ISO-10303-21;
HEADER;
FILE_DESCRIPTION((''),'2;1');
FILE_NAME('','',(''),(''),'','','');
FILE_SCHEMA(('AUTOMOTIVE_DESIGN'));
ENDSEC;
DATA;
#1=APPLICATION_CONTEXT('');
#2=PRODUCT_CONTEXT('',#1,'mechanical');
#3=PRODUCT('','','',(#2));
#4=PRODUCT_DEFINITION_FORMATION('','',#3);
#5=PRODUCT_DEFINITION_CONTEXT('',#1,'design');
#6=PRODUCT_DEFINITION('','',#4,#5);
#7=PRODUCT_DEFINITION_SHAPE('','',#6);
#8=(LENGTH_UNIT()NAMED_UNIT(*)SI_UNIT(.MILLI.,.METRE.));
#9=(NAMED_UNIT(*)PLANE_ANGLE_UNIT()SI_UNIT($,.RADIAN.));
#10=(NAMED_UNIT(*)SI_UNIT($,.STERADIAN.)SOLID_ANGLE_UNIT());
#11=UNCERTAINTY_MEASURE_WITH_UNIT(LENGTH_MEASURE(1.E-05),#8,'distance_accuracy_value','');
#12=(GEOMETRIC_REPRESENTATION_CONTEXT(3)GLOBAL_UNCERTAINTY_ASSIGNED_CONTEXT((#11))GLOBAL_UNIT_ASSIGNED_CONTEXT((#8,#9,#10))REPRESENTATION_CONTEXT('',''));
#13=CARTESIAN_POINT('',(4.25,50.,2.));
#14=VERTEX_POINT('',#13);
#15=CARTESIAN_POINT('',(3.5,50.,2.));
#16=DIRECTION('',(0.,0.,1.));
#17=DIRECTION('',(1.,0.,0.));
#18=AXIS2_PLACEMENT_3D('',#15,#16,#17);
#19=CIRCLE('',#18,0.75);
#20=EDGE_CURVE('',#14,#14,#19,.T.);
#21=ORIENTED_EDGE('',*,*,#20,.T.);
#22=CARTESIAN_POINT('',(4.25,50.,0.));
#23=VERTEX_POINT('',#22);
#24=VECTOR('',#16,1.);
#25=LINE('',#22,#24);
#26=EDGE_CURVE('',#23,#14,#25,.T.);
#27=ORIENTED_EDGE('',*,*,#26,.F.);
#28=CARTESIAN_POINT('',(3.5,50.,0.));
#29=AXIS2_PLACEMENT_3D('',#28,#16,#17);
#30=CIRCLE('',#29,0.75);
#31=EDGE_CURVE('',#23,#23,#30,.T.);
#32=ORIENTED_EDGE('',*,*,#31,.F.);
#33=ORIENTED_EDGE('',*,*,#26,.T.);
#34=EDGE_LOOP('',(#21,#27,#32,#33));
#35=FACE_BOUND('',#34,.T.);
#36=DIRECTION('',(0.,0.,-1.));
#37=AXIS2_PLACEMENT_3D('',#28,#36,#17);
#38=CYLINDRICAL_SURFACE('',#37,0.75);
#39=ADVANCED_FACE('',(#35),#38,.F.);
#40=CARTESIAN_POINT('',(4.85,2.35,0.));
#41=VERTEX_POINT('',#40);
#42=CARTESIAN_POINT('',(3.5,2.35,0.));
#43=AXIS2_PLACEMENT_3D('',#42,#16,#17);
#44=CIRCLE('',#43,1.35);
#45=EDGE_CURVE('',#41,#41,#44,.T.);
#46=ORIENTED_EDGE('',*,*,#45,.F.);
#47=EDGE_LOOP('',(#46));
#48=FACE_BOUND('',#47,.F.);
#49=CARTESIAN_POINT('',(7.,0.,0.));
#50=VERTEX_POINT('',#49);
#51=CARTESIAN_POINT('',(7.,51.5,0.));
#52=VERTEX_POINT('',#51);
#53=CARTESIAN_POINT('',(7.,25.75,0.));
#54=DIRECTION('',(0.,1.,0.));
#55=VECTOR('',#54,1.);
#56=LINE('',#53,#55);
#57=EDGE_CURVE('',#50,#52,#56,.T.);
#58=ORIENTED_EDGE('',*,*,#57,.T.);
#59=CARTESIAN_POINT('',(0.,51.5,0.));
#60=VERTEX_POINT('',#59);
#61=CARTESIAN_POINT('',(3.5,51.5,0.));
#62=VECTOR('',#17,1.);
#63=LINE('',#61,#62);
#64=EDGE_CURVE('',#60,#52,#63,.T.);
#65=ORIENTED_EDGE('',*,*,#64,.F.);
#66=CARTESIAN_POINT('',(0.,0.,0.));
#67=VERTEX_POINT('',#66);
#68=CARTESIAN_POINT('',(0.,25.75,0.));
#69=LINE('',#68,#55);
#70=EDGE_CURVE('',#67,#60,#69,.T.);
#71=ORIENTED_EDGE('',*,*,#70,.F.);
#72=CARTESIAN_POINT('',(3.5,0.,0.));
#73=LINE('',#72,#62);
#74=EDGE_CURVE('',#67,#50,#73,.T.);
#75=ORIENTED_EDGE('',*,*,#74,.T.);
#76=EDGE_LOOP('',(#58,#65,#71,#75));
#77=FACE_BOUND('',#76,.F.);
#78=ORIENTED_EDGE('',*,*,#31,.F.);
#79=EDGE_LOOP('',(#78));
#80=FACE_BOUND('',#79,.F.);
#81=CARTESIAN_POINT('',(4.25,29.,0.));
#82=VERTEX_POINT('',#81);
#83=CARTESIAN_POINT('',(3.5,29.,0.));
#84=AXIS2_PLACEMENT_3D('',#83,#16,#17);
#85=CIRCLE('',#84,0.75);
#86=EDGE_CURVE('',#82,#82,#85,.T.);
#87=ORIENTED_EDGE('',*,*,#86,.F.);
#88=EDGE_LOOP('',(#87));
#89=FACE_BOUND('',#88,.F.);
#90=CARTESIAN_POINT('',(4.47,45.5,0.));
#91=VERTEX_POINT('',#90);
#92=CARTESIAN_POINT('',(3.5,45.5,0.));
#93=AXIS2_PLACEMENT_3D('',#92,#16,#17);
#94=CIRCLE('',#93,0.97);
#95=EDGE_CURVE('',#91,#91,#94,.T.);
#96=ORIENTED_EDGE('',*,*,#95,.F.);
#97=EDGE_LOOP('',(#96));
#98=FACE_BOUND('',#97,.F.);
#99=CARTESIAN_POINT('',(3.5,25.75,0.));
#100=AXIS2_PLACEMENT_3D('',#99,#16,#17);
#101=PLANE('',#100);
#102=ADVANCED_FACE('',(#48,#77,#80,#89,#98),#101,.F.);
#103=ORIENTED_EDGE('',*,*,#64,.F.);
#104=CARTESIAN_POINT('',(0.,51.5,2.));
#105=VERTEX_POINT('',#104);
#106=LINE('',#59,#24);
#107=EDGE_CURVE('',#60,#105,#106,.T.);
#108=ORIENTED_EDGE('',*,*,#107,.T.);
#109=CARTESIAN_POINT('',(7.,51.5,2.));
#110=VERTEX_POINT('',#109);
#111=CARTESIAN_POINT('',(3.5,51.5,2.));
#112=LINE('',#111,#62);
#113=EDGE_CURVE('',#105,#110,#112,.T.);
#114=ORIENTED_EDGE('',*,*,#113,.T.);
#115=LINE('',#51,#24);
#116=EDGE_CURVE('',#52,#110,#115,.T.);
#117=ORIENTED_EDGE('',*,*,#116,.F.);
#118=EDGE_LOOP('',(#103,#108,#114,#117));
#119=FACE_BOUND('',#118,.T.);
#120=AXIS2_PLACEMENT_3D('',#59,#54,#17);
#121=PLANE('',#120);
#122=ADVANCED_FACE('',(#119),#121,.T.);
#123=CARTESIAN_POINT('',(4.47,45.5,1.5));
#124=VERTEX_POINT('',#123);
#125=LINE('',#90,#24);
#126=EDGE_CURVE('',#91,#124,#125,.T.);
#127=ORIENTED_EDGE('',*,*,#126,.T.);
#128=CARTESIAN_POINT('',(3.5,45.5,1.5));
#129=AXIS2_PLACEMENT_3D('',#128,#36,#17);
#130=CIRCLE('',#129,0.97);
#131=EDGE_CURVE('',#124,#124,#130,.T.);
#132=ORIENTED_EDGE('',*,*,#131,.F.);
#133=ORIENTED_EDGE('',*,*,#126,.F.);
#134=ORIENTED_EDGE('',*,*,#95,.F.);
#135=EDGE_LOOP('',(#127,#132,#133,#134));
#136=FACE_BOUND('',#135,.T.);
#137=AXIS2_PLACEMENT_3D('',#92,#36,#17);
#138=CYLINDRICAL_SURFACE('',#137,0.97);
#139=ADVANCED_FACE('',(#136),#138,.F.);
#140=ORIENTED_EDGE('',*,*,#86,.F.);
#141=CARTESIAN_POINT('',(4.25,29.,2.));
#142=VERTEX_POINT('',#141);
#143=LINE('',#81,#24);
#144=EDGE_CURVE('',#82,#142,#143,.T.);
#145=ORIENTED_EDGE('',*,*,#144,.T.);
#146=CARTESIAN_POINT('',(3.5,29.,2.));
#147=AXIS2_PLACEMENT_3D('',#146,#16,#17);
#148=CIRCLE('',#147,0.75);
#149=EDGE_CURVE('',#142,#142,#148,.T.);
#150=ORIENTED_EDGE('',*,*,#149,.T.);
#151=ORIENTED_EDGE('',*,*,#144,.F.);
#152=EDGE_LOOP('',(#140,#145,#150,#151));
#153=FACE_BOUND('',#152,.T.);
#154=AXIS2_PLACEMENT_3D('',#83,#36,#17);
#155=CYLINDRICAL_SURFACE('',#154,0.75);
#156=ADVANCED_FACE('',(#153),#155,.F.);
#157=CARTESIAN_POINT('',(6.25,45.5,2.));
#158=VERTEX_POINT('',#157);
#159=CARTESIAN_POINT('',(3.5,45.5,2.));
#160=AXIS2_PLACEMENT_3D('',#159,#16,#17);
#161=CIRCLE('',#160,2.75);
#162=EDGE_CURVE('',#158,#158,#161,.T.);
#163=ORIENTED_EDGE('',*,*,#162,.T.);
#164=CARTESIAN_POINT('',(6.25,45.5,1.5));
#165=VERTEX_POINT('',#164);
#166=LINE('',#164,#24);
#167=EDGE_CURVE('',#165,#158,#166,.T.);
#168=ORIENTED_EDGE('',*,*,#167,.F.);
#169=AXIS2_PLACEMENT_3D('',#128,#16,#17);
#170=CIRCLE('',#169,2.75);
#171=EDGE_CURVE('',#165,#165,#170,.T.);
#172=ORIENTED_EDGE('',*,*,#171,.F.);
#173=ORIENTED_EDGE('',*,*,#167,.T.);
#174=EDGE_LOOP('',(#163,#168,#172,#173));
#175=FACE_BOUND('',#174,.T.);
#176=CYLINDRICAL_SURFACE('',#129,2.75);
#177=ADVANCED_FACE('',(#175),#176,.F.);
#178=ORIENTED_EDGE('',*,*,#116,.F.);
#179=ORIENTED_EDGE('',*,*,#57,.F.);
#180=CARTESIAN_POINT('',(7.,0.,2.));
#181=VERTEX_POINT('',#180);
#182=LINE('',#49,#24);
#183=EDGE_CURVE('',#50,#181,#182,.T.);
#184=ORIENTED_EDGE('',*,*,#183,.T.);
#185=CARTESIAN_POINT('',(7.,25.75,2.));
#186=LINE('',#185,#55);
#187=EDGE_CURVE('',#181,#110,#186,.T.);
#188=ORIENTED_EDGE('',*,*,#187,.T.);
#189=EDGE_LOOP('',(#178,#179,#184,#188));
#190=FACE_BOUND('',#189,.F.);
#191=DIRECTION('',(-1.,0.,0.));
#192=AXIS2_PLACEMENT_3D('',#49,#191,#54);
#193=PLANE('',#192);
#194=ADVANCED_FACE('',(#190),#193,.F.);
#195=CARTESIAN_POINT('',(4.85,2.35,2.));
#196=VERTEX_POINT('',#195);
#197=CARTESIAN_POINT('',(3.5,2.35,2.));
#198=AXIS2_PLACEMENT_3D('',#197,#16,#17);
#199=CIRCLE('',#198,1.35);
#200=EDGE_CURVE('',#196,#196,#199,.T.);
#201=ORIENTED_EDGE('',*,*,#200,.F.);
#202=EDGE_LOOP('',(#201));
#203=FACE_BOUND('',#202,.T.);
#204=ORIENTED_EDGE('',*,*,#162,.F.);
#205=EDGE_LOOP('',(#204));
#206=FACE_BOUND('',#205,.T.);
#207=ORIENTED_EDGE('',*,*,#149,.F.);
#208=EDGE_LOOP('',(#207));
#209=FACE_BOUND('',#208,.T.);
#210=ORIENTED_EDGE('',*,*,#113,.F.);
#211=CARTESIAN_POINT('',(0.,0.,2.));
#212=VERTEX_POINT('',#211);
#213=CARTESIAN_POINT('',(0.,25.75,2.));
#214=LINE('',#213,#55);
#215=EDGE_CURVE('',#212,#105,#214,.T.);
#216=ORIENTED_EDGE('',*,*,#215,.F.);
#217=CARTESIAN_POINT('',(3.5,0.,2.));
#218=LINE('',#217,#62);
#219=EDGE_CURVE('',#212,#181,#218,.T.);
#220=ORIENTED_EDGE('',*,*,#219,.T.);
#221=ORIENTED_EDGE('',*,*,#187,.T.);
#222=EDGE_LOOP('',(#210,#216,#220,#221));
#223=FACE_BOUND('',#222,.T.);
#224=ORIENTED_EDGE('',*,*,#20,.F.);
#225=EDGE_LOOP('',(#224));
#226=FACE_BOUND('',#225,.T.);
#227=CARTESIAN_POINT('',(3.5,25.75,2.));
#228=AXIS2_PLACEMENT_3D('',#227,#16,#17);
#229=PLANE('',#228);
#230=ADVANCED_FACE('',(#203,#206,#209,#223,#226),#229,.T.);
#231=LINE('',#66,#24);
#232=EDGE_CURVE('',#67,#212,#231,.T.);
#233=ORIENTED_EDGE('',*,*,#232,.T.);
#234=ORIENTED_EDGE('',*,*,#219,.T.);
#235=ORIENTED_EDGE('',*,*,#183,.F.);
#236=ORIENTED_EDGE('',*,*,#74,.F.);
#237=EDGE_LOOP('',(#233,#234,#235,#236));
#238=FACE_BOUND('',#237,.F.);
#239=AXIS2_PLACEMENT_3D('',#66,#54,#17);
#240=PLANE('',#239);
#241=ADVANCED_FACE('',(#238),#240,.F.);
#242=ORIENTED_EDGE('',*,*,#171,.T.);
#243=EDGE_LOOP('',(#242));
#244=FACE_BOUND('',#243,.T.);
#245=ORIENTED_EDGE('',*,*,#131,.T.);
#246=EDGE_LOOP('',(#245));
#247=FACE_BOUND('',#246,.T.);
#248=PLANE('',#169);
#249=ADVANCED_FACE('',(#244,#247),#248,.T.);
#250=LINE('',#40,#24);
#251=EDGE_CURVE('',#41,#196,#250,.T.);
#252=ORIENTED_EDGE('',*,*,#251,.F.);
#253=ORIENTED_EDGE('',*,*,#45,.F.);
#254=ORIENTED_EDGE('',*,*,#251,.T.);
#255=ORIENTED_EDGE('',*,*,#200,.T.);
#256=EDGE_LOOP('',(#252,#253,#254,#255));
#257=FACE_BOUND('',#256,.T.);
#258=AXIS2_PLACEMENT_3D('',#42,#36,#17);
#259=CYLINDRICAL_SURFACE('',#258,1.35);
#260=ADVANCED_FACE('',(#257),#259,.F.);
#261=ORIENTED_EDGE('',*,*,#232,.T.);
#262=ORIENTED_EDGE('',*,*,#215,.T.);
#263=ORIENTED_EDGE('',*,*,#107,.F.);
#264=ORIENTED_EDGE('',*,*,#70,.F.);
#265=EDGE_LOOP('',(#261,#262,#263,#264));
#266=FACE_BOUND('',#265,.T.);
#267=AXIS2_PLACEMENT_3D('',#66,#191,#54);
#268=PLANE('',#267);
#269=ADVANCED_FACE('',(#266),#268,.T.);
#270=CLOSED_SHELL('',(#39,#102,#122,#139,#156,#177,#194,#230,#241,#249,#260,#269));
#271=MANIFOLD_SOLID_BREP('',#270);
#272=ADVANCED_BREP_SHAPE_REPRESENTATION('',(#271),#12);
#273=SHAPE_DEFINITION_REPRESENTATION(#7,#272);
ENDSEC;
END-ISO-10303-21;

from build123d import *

# Parameters (mm, degrees)
CYLINDER004_R     = 1.35
CYLINDER004_DEPTH = 2
CYLINDER003_R     = 0.75
CYLINDER003_DEPTH = 2
CYLINDER002_R     = 0.75
CYLINDER002_DEPTH = 2
CYLINDER001_R     = 0.97
CYLINDER001_DEPTH = 2
CYLINDER_R        = 2.75
CYLINDER_DEPTH    = 0.5
BOX_W             = 7
BOX_H             = 51.5
BOX_DEPTH         = 2


with BuildPart() as cylinder004:
    # Cylinder004 → Cylinder004 (new body)
    with BuildSketch(Plane(origin=(3.5, 2.35, 0), x_dir=(1, 0, 0), z_dir=(0, 0, 1))):
        Circle(CYLINDER004_R)
    extrude(amount=CYLINDER004_DEPTH)


with BuildPart() as cylinder003:
    # Cylinder003 → Cylinder003 (new body)
    with BuildSketch(Plane(origin=(3.5, 29, 0), x_dir=(1, 0, 0), z_dir=(0, 0, 1))):
        Circle(CYLINDER003_R)
    extrude(amount=CYLINDER003_DEPTH)


with BuildPart() as cylinder002:
    # Cylinder002 → Cylinder002 (new body)
    with BuildSketch(Plane(origin=(3.5, 50, 0), x_dir=(1, 0, 0), z_dir=(0, 0, 1))):
        Circle(CYLINDER002_R)
    extrude(amount=CYLINDER002_DEPTH)


with BuildPart() as cylinder001:
    # Cylinder001 → Cylinder001 (new body)
    with BuildSketch(Plane(origin=(3.5, 45.5, 0), x_dir=(1, 0, 0), z_dir=(0, 0, 1))):
        Circle(CYLINDER001_R)
    extrude(amount=CYLINDER001_DEPTH)


with BuildPart() as cylinder:
    # Cylinder → Cylinder (new body)
    with BuildSketch(Plane(origin=(3.5, 45.5, 1.5), x_dir=(1, 0, 0), z_dir=(0, 0, 1))):
        Circle(CYLINDER_R)
    extrude(amount=CYLINDER_DEPTH)


with BuildPart() as cut004:
    # Box → Box (new body)
    with BuildSketch(Plane.XY):
        with Locations((3.5, 25.75)):
            Rectangle(BOX_W, BOX_H)
    extrude(amount=BOX_DEPTH)

    # Cut: cut Cylinder
    add(cylinder.part, mode=Mode.SUBTRACT)

    # Cut001: cut Cylinder001
    add(cylinder001.part, mode=Mode.SUBTRACT)

    # Cut002: cut Cylinder002
    add(cylinder002.part, mode=Mode.SUBTRACT)

    # Cut003: cut Cylinder003
    add(cylinder003.part, mode=Mode.SUBTRACT)

    # Cut004: cut Cylinder004
    add(cylinder004.part, mode=Mode.SUBTRACT)


solid = cut004.part
